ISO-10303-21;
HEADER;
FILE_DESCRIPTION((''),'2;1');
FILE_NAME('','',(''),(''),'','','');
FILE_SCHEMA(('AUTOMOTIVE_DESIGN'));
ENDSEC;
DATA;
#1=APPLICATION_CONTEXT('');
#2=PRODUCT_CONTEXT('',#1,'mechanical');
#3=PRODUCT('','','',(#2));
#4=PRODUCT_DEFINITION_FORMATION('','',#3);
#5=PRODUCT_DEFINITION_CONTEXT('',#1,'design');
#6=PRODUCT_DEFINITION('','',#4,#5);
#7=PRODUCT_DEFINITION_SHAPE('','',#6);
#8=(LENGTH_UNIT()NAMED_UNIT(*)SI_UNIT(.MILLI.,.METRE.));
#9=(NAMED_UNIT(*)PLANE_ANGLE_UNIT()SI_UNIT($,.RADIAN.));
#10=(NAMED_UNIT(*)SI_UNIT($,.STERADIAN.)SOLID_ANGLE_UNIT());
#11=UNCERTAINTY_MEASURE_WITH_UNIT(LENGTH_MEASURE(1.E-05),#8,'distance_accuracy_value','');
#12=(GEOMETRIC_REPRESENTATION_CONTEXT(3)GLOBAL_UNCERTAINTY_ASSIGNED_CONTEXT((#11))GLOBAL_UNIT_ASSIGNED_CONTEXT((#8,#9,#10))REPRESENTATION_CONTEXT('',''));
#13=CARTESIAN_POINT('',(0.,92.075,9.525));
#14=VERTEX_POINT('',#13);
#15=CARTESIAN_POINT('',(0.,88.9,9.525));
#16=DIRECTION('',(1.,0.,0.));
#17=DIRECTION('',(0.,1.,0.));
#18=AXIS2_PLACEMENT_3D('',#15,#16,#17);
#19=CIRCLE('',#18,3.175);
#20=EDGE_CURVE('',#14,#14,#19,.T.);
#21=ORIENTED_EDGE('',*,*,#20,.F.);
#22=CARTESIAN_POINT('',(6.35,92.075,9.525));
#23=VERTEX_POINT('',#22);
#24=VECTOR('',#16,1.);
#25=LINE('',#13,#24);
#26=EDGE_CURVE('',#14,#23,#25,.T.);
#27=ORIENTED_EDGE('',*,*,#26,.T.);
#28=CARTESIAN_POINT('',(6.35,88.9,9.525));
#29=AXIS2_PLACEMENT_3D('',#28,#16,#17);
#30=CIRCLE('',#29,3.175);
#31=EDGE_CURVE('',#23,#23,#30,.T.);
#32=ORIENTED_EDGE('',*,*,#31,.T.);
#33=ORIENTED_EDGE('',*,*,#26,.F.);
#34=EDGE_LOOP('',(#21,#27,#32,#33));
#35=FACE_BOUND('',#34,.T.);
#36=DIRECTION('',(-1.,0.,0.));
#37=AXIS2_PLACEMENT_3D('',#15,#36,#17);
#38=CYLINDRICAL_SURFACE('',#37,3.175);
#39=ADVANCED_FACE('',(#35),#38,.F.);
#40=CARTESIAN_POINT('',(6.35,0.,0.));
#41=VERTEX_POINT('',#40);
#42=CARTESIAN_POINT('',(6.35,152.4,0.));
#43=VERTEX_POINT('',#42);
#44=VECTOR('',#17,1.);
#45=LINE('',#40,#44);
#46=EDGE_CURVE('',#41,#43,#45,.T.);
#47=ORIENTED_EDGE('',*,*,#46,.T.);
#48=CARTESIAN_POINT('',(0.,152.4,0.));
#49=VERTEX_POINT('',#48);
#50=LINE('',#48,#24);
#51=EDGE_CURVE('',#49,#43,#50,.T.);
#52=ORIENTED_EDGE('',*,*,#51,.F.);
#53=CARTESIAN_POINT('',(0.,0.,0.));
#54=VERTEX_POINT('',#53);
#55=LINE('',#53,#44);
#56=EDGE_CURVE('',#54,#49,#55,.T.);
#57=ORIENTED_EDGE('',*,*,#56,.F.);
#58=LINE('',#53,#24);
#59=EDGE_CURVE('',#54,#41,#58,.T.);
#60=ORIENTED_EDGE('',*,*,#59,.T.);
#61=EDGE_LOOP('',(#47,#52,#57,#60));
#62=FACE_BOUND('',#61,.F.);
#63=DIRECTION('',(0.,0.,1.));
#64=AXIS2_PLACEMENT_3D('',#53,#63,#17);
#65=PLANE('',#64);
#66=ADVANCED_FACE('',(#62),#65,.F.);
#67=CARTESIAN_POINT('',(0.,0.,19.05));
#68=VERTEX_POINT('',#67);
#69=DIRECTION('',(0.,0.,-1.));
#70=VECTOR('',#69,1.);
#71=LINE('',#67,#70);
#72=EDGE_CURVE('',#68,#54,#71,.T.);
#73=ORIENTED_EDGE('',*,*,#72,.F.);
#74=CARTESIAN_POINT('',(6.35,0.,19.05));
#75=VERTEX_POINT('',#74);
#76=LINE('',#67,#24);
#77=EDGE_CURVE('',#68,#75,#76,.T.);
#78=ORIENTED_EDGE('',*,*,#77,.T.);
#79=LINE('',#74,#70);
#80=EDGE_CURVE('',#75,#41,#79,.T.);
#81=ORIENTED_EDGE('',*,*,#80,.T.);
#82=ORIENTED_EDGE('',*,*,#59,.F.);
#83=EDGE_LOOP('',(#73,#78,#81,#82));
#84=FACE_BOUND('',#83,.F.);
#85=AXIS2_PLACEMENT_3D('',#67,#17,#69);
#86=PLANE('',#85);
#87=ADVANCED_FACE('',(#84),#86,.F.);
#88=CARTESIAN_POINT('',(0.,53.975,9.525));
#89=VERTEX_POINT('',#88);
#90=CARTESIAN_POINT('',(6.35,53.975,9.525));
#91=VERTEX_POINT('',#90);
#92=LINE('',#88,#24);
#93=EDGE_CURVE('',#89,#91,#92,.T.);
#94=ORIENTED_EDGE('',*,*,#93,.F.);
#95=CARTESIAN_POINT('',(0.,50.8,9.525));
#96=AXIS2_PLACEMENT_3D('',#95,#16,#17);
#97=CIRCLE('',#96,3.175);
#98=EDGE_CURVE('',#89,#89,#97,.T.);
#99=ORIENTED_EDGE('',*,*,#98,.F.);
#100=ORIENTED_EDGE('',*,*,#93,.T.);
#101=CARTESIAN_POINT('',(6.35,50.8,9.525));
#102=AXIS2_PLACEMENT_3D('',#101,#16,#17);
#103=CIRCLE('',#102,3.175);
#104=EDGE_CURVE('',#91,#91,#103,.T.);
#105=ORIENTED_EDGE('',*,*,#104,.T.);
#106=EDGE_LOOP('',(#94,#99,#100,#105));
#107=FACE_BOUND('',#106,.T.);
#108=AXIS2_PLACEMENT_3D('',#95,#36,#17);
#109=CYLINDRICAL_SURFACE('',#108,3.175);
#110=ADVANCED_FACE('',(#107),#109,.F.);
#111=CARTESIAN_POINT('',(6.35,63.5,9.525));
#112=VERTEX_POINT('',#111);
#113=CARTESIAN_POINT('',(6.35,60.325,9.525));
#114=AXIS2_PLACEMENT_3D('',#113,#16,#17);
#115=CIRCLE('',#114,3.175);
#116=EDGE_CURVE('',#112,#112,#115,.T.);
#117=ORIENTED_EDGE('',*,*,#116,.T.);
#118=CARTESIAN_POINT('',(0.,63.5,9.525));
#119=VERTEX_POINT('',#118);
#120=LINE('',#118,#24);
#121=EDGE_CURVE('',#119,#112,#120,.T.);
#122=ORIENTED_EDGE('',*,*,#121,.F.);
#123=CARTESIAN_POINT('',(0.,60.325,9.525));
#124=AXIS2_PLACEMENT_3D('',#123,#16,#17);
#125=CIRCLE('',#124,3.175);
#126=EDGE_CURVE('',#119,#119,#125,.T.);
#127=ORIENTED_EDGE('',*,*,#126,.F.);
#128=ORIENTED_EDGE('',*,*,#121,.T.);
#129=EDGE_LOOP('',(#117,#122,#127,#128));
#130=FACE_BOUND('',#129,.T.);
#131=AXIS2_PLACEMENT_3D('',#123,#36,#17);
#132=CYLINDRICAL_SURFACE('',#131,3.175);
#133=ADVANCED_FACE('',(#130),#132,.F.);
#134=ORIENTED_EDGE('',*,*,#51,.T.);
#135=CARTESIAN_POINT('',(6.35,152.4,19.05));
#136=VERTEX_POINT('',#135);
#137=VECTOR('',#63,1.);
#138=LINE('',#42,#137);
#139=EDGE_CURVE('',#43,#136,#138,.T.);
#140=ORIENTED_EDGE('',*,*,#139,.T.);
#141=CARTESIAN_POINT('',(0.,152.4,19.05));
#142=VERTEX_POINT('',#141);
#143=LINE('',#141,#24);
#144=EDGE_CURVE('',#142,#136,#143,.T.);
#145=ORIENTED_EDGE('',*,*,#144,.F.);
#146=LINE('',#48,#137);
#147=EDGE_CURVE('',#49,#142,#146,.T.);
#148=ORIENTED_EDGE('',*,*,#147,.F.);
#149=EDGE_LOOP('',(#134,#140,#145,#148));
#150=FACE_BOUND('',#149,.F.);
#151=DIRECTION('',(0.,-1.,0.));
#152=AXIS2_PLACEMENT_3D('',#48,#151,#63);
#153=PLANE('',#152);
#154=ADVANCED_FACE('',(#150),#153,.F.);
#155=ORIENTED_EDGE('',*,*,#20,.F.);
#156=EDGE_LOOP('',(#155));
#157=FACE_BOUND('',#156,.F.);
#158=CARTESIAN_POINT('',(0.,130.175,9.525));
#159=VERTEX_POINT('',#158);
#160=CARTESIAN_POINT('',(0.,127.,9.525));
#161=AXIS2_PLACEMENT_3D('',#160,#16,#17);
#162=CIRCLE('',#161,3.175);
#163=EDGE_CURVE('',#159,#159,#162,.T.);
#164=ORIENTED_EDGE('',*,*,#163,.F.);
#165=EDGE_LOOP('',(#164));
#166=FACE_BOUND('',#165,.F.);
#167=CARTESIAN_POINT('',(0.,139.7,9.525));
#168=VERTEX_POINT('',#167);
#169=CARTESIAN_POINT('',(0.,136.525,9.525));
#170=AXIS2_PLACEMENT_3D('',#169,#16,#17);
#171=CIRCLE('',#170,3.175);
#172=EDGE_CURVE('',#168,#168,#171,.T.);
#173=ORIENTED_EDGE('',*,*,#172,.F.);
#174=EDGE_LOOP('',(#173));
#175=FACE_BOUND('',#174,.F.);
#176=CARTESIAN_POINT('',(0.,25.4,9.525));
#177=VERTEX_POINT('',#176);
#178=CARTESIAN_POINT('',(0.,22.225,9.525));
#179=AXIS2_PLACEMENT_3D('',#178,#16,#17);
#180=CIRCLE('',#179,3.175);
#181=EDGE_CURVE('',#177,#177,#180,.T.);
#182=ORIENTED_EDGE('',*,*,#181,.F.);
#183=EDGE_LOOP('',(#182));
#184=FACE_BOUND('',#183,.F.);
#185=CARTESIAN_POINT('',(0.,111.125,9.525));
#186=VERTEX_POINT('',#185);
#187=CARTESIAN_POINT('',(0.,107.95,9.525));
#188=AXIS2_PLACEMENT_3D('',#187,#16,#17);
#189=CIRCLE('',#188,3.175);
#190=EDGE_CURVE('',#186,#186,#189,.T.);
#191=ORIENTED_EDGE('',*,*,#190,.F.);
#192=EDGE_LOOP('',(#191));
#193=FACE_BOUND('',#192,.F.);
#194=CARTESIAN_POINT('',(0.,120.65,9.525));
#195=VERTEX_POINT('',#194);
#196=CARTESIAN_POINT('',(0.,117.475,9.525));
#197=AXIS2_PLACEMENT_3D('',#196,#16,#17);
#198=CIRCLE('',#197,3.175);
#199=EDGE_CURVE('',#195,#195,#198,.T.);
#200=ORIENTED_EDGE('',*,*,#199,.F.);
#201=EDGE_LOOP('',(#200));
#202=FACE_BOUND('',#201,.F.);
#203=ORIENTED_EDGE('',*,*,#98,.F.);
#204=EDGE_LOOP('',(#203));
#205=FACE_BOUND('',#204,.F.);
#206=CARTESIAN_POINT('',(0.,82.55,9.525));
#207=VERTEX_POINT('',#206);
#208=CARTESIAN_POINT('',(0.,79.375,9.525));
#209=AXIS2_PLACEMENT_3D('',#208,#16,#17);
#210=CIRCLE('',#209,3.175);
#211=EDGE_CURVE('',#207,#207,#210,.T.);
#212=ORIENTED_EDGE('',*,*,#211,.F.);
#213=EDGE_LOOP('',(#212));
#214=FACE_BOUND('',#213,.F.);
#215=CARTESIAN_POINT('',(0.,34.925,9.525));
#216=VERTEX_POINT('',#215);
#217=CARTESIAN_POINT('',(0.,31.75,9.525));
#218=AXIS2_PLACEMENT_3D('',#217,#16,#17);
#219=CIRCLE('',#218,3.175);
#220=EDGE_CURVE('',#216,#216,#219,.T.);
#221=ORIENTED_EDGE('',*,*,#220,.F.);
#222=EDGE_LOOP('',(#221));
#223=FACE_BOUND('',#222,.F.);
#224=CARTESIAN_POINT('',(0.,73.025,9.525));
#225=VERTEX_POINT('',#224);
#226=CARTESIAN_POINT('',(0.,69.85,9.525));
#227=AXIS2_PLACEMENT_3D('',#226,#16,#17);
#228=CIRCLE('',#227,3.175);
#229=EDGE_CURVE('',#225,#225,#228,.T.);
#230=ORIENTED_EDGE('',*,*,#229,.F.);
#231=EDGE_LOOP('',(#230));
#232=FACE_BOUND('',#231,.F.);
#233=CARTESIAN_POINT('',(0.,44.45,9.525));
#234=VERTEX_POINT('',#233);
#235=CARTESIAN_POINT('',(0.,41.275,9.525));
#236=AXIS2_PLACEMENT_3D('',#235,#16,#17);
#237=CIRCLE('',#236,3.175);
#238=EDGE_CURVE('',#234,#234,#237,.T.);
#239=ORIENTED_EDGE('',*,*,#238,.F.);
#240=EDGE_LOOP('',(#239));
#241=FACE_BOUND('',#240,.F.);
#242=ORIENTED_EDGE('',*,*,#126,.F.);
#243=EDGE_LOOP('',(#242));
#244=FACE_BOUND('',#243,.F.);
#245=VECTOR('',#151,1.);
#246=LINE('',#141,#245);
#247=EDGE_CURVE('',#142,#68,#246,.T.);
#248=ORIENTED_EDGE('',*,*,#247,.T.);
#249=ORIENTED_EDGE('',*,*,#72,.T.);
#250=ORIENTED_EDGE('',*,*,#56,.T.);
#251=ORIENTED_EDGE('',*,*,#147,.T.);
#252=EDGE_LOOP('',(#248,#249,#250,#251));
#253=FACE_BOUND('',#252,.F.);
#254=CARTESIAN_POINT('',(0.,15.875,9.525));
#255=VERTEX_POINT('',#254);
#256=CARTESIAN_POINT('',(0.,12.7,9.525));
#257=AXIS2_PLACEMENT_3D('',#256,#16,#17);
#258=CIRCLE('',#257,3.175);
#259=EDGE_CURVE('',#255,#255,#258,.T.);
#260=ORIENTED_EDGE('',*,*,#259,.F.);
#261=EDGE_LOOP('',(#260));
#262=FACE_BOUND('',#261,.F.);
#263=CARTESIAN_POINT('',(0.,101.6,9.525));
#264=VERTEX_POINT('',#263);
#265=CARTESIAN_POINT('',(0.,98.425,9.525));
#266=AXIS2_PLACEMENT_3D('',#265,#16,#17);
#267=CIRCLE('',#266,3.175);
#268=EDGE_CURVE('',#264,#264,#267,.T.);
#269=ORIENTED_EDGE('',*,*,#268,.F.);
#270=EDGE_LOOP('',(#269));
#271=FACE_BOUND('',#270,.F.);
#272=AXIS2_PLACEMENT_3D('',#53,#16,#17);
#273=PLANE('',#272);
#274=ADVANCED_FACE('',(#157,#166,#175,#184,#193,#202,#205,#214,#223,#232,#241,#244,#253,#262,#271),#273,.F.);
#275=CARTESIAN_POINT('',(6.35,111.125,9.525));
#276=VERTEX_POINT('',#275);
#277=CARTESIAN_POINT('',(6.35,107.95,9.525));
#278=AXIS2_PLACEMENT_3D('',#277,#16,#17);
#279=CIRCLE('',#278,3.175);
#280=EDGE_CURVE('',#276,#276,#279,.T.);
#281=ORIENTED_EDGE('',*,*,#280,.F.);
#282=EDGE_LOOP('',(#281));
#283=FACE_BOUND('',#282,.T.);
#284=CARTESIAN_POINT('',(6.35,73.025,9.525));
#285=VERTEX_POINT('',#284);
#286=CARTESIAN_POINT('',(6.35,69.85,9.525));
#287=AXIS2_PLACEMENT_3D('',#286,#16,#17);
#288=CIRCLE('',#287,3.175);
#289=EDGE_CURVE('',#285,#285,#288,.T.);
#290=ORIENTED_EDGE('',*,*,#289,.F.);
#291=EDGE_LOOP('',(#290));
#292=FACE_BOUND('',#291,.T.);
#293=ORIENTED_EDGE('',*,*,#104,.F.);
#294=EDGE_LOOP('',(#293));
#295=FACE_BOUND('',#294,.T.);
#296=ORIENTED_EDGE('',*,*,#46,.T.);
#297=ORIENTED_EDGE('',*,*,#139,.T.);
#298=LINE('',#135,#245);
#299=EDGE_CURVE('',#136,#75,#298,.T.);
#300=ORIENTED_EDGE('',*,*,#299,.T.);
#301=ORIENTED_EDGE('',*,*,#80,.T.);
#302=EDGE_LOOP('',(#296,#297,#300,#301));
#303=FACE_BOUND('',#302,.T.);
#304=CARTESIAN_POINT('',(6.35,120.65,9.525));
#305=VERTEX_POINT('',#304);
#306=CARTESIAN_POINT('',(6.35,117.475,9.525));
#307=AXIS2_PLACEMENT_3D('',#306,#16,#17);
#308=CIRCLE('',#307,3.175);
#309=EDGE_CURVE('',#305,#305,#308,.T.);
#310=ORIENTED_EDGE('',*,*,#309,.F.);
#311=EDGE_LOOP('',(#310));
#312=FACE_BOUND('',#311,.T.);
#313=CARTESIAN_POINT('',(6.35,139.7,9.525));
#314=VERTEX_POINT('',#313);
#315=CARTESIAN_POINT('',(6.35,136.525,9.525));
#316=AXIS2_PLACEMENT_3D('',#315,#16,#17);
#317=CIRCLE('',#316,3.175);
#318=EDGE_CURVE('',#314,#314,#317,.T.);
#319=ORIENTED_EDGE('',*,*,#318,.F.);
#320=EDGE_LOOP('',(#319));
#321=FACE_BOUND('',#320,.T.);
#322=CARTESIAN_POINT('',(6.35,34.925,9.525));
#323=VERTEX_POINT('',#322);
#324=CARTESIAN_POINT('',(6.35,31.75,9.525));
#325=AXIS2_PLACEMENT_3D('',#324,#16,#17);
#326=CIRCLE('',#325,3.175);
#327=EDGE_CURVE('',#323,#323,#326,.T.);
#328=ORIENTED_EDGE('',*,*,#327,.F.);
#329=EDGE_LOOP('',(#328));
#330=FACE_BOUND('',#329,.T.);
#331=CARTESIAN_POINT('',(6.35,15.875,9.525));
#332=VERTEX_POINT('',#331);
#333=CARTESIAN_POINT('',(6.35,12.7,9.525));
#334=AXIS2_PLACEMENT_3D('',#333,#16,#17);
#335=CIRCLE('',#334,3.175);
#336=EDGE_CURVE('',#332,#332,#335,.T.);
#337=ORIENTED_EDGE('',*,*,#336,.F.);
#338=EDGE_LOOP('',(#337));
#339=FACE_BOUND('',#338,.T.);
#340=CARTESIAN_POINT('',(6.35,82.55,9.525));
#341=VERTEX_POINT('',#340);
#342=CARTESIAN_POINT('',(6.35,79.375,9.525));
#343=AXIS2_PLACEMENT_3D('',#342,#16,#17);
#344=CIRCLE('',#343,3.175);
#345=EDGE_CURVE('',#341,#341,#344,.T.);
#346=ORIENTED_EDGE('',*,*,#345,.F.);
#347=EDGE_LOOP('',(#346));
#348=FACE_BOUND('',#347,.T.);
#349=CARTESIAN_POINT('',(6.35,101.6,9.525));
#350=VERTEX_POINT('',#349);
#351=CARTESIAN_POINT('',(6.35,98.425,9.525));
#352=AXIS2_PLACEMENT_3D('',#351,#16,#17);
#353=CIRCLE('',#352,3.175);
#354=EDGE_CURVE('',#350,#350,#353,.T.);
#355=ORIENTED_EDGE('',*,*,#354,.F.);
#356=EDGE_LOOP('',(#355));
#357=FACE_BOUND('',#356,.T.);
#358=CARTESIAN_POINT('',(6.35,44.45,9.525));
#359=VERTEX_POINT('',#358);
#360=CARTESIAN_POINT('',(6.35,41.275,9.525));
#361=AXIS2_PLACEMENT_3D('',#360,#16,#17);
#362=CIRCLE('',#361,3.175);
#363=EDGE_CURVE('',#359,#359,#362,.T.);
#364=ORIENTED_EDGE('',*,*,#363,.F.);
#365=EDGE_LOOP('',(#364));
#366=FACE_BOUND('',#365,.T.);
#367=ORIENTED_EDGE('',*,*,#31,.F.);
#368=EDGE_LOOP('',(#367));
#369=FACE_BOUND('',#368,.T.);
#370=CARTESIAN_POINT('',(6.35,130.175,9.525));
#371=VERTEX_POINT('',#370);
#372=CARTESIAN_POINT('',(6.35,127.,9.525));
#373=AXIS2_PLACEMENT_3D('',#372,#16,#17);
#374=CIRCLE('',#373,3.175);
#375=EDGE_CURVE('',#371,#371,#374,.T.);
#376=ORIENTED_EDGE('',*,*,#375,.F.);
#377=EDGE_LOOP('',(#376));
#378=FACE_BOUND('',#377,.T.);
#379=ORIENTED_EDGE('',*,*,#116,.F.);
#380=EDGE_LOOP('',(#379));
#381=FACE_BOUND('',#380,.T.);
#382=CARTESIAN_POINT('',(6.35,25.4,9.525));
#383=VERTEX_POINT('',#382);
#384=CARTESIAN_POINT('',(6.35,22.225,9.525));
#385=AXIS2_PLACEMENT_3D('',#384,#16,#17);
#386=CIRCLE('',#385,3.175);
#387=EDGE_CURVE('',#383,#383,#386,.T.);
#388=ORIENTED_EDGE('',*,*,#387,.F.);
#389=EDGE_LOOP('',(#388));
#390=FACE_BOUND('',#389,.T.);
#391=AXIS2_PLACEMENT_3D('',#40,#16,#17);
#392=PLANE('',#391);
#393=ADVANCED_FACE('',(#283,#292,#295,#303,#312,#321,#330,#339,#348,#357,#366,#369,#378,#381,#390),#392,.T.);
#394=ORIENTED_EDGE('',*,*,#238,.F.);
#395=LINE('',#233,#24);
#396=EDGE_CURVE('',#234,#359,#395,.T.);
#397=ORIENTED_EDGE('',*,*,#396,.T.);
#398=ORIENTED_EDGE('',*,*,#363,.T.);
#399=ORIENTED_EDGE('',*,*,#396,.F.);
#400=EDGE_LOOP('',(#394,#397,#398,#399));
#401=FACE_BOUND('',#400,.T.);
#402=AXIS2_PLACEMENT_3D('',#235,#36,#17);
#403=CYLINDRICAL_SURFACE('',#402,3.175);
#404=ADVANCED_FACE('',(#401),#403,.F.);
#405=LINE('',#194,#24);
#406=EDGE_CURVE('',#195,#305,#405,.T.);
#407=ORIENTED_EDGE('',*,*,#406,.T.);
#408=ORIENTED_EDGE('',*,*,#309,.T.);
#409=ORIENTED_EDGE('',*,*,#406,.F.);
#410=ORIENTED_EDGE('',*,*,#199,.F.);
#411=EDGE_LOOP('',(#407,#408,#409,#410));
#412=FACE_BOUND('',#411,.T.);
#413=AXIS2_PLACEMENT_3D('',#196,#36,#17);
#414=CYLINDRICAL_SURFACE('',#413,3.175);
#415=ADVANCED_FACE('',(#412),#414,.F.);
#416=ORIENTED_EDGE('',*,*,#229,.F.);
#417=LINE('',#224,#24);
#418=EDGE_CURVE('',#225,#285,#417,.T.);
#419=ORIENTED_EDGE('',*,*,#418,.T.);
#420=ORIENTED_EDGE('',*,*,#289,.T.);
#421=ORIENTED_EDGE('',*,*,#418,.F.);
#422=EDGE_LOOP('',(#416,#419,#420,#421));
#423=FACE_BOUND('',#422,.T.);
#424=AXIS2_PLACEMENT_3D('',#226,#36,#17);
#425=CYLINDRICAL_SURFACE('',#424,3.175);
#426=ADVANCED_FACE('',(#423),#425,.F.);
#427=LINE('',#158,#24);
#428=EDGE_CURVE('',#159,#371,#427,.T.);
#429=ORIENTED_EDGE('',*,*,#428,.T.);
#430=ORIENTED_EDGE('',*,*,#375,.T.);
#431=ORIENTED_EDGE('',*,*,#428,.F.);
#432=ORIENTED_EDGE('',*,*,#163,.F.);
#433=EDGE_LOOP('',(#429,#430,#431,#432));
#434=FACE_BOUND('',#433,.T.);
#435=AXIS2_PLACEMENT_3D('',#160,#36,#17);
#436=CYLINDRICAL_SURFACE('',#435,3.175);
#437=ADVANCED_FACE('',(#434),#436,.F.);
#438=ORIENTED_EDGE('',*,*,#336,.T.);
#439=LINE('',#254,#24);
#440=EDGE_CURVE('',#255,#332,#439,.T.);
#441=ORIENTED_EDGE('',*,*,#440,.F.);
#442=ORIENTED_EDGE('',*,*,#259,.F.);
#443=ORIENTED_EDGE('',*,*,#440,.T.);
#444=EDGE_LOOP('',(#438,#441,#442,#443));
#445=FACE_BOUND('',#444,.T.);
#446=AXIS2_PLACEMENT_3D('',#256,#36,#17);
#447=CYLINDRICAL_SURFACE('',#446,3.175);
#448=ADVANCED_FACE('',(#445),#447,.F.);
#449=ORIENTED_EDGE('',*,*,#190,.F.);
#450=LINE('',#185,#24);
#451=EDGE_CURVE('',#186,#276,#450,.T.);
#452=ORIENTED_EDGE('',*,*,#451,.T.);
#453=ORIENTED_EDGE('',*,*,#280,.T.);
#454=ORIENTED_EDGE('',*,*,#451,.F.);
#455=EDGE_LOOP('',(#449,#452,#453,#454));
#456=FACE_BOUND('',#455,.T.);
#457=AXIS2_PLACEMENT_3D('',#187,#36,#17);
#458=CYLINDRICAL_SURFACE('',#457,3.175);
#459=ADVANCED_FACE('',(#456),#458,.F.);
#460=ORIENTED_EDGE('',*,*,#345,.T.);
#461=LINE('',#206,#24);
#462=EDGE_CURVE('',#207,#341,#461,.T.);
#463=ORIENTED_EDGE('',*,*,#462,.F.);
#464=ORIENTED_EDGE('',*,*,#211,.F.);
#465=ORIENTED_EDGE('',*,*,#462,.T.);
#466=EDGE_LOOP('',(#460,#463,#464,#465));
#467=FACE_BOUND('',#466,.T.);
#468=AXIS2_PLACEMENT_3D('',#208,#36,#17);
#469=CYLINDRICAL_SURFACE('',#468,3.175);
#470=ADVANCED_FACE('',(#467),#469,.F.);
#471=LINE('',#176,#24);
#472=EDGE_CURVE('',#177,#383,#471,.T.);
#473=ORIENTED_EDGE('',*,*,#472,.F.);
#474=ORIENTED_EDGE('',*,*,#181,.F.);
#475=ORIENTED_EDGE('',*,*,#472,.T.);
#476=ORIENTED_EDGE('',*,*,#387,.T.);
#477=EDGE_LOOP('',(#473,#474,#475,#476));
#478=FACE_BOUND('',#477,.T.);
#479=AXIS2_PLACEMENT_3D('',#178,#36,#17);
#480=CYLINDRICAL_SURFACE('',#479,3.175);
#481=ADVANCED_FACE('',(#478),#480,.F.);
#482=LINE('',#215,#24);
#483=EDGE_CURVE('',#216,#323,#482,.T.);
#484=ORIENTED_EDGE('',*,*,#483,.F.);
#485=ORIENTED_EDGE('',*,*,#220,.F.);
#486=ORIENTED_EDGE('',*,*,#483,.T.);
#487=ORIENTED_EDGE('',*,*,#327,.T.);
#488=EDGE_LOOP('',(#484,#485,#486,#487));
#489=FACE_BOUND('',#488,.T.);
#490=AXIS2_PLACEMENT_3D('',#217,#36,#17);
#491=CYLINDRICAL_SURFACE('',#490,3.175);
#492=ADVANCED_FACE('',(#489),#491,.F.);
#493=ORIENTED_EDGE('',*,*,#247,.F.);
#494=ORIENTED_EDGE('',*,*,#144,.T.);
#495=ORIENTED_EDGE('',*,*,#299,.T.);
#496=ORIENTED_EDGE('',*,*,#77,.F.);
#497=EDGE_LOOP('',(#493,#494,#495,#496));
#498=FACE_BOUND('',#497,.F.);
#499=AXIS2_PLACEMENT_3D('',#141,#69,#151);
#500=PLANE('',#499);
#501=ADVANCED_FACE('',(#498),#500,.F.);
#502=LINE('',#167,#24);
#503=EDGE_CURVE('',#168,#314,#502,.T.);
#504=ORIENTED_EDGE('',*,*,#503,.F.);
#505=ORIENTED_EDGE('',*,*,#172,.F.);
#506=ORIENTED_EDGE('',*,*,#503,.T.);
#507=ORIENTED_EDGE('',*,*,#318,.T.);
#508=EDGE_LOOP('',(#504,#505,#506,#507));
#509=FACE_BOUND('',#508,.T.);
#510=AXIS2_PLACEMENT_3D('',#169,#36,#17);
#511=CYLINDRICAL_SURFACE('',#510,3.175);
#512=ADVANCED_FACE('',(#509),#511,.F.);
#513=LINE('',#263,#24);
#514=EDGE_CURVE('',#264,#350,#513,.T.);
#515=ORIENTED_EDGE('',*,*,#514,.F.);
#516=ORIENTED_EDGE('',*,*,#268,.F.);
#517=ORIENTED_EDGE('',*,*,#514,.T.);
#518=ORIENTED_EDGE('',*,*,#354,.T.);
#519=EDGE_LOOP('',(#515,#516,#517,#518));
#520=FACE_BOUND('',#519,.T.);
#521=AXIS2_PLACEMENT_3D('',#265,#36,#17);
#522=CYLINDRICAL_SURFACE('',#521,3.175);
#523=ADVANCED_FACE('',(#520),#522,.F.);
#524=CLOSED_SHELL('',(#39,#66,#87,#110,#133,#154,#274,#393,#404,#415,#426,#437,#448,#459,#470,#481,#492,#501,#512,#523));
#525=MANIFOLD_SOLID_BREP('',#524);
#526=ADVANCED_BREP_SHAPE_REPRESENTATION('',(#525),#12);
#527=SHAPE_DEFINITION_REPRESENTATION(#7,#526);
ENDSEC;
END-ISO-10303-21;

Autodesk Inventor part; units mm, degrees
ref_plane "YZ Plane" through (0, 0, 0) normal (1, 0, 0) x (0, 1, 0)
ref_plane "XZ Plane" through (0, 0, 0) normal (0, 1, 0) x (-1, 0, 0)
ref_plane "XY Plane" through (0, 0, 0) normal (0, 0, 1) x (1, 0, 0)
sketch "Sketch1" plane through (0, 0, 0) normal (1, 0, 0) x (0, 1, 0)
  line L0 (0, 0) -> (152.4, 0)
  line L1 (152.4, 0) -> (152.4, 19.05)
  line L2 (152.4, 19.05) -> (0, 19.05)
  line L3 (0, 19.05) -> (0, 0)
  circle A0 centre (12.7, 9.525) radius 3.175
  circle A1 centre (22.225, 9.525) radius 3.175
  circle A2 centre (31.75, 9.525) radius 3.175
  circle A3 centre (41.275, 9.525) radius 3.175
  circle A4 centre (50.8, 9.525) radius 3.175
  circle A5 centre (60.325, 9.525) radius 3.175
  circle A6 centre (69.85, 9.525) radius 3.175
  circle A7 centre (79.375, 9.525) radius 3.175
  circle A8 centre (88.9, 9.525) radius 3.175
  circle A9 centre (98.425, 9.525) radius 3.175
  circle A10 centre (107.95, 9.525) radius 3.175
  circle A11 centre (117.475, 9.525) radius 3.175
  circle A12 centre (127, 9.525) radius 3.175
  circle A13 centre (136.525, 9.525) radius 3.175
  dimension "d0" = 19.05
  dimension "d1" = 152.4
  dimension "d2" = 6.35
  dimension "d3" = 12.7
  dimension "d4" = 9.525
  dimension "d7" = 9.525
extrude "Extrusion1" add sketch "Sketch1" along normal blind 6.35
properties part number "Handle-Cart Link"
